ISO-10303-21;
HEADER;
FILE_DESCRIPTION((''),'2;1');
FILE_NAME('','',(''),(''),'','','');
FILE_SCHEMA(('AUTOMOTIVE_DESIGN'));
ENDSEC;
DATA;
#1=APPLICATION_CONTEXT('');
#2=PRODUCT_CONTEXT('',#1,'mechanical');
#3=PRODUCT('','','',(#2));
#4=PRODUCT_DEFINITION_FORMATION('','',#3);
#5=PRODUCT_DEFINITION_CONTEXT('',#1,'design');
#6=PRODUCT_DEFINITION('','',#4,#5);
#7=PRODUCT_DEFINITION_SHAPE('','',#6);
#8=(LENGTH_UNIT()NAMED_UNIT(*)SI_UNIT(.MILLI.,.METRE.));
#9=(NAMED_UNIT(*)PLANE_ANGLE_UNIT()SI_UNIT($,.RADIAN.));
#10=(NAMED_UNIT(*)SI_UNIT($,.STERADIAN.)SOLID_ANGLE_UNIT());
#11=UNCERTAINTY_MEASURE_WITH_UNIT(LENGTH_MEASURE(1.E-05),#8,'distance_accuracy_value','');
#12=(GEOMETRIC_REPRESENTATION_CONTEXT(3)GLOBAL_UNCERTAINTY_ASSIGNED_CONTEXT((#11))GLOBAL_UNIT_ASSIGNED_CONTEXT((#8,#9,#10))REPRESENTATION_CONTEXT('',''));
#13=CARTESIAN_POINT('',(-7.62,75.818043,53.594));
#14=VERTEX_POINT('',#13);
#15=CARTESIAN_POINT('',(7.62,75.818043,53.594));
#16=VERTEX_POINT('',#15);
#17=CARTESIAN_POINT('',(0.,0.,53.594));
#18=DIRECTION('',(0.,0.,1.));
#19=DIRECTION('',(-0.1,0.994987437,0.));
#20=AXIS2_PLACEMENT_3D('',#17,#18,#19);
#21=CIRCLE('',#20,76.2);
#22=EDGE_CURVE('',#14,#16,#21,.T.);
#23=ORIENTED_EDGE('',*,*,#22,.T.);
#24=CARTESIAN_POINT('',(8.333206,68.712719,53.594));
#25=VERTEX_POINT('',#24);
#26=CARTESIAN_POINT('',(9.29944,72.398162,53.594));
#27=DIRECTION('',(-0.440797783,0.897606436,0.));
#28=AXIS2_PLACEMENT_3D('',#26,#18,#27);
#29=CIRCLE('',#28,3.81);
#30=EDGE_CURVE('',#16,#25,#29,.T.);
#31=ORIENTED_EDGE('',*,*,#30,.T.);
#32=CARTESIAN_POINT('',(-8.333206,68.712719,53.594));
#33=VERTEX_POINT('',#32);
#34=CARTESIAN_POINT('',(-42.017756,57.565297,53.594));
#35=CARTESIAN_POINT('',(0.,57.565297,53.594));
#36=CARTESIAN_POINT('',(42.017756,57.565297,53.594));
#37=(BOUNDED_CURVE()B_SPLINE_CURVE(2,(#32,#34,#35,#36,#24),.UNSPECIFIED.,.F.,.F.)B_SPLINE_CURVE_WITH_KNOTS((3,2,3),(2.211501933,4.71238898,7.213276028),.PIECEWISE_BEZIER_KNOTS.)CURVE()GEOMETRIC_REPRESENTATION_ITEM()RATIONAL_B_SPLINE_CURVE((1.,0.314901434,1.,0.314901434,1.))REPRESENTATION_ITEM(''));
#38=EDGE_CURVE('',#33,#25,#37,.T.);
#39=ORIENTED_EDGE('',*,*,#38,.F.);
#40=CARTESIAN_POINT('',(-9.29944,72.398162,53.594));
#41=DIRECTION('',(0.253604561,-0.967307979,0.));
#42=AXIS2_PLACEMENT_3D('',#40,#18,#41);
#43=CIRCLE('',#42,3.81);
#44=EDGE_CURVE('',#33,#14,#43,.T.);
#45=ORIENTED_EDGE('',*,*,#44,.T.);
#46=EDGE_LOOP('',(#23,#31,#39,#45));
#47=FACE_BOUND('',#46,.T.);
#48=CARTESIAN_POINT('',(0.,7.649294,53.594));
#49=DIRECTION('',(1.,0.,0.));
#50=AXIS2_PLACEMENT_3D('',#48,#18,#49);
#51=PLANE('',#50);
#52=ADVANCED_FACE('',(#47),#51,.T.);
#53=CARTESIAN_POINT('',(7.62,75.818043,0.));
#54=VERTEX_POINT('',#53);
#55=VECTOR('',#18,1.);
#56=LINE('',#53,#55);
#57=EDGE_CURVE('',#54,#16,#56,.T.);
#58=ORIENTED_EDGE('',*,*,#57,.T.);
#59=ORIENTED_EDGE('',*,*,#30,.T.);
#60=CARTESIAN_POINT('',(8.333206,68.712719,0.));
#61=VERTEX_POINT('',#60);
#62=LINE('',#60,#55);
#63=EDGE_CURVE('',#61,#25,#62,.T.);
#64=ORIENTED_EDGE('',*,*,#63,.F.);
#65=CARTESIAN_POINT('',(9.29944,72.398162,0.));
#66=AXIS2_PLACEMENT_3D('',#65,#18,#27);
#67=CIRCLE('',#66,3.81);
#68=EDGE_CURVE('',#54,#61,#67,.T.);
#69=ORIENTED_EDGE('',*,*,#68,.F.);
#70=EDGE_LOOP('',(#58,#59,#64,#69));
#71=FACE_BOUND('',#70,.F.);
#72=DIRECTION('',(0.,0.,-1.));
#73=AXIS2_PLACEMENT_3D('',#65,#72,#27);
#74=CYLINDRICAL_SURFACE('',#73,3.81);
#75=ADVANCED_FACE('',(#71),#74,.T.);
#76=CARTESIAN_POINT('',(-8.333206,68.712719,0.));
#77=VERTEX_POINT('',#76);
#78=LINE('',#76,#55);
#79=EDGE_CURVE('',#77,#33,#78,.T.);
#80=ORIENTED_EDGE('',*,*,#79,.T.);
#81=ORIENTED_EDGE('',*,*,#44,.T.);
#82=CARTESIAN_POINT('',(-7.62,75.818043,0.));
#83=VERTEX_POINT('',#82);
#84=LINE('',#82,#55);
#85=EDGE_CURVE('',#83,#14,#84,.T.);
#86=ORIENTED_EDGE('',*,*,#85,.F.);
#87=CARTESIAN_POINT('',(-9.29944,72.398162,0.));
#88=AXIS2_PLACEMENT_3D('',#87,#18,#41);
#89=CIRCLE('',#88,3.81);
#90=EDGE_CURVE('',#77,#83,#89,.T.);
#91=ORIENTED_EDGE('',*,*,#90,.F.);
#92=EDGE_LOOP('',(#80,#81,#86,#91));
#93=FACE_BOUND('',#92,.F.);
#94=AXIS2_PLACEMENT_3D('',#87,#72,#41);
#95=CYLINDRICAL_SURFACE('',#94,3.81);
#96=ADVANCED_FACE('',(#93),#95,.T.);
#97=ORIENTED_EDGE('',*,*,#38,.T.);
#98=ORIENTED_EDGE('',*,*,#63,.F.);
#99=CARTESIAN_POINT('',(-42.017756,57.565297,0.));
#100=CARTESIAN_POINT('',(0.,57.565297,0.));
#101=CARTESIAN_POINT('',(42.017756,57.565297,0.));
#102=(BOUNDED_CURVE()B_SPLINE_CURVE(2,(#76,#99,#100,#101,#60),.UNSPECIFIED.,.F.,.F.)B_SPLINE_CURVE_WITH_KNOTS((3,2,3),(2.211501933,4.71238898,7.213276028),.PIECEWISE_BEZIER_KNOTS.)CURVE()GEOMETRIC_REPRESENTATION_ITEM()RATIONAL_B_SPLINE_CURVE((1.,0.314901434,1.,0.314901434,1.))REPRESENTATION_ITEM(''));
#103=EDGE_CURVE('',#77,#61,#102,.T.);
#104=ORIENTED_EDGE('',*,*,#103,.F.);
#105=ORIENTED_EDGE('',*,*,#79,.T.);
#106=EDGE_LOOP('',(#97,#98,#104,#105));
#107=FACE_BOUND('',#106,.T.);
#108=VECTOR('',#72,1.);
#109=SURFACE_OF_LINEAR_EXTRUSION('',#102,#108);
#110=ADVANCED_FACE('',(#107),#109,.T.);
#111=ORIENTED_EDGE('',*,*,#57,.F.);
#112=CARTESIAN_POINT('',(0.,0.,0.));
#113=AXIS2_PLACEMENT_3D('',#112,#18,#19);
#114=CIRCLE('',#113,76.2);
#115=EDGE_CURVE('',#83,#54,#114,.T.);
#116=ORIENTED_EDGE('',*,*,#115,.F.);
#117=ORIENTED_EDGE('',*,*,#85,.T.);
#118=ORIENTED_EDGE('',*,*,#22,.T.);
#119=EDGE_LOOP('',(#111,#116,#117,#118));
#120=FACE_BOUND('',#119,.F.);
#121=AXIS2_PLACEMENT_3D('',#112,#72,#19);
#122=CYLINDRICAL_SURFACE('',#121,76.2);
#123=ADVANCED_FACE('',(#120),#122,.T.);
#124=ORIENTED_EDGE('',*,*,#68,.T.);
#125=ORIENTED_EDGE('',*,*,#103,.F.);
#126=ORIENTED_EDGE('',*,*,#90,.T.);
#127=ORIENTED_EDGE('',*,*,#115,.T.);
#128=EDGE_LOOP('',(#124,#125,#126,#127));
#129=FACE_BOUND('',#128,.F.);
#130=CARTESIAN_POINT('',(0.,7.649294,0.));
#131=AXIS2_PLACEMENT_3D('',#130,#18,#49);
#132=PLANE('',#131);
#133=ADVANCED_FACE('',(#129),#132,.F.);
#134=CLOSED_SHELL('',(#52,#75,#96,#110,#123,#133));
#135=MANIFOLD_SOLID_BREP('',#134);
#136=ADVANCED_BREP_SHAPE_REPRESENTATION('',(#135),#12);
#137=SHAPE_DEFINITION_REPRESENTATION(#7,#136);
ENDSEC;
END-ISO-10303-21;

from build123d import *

# Parameters (mm, degrees)
F1_DEPTH = 53.594


with BuildPart() as f1:
    # F0 (on Top) → F1 (new body)
    with BuildSketch(Plane.XY):
        with BuildLine():
            ThreePointArc((-8.3332061768, 68.7127187848), (-5.5084893663, 72.017640605), (-7.62, 75.8180427075))
            ThreePointArc((-7.62, 75.8180427075), (0, -76.2), (7.62, 75.8180427075))
            ThreePointArc((7.62, 75.8180427075), (5.5084893663, 72.017640605), (8.3332061769, 68.7127187848))
            add(Edge.make_bspline(
                [(-8.3332061768, 68.7127187848), (-42.0177559529, 57.5652970004), (-1e-10, 57.5652970003), (42.0177559528, 57.5652970002), (8.3332061768, 68.7127187848)],
                knots=[2.2115019329, 2.2115019329, 2.2115019329, 4.7123889804, 4.7123889804, 7.2132760279, 7.2132760279, 7.2132760279], degree=2, weights=[1, 0.3149014342, 1, 0.3149014342, 1]))
        make_face()
    extrude(amount=F1_DEPTH)


solid = f1.part
